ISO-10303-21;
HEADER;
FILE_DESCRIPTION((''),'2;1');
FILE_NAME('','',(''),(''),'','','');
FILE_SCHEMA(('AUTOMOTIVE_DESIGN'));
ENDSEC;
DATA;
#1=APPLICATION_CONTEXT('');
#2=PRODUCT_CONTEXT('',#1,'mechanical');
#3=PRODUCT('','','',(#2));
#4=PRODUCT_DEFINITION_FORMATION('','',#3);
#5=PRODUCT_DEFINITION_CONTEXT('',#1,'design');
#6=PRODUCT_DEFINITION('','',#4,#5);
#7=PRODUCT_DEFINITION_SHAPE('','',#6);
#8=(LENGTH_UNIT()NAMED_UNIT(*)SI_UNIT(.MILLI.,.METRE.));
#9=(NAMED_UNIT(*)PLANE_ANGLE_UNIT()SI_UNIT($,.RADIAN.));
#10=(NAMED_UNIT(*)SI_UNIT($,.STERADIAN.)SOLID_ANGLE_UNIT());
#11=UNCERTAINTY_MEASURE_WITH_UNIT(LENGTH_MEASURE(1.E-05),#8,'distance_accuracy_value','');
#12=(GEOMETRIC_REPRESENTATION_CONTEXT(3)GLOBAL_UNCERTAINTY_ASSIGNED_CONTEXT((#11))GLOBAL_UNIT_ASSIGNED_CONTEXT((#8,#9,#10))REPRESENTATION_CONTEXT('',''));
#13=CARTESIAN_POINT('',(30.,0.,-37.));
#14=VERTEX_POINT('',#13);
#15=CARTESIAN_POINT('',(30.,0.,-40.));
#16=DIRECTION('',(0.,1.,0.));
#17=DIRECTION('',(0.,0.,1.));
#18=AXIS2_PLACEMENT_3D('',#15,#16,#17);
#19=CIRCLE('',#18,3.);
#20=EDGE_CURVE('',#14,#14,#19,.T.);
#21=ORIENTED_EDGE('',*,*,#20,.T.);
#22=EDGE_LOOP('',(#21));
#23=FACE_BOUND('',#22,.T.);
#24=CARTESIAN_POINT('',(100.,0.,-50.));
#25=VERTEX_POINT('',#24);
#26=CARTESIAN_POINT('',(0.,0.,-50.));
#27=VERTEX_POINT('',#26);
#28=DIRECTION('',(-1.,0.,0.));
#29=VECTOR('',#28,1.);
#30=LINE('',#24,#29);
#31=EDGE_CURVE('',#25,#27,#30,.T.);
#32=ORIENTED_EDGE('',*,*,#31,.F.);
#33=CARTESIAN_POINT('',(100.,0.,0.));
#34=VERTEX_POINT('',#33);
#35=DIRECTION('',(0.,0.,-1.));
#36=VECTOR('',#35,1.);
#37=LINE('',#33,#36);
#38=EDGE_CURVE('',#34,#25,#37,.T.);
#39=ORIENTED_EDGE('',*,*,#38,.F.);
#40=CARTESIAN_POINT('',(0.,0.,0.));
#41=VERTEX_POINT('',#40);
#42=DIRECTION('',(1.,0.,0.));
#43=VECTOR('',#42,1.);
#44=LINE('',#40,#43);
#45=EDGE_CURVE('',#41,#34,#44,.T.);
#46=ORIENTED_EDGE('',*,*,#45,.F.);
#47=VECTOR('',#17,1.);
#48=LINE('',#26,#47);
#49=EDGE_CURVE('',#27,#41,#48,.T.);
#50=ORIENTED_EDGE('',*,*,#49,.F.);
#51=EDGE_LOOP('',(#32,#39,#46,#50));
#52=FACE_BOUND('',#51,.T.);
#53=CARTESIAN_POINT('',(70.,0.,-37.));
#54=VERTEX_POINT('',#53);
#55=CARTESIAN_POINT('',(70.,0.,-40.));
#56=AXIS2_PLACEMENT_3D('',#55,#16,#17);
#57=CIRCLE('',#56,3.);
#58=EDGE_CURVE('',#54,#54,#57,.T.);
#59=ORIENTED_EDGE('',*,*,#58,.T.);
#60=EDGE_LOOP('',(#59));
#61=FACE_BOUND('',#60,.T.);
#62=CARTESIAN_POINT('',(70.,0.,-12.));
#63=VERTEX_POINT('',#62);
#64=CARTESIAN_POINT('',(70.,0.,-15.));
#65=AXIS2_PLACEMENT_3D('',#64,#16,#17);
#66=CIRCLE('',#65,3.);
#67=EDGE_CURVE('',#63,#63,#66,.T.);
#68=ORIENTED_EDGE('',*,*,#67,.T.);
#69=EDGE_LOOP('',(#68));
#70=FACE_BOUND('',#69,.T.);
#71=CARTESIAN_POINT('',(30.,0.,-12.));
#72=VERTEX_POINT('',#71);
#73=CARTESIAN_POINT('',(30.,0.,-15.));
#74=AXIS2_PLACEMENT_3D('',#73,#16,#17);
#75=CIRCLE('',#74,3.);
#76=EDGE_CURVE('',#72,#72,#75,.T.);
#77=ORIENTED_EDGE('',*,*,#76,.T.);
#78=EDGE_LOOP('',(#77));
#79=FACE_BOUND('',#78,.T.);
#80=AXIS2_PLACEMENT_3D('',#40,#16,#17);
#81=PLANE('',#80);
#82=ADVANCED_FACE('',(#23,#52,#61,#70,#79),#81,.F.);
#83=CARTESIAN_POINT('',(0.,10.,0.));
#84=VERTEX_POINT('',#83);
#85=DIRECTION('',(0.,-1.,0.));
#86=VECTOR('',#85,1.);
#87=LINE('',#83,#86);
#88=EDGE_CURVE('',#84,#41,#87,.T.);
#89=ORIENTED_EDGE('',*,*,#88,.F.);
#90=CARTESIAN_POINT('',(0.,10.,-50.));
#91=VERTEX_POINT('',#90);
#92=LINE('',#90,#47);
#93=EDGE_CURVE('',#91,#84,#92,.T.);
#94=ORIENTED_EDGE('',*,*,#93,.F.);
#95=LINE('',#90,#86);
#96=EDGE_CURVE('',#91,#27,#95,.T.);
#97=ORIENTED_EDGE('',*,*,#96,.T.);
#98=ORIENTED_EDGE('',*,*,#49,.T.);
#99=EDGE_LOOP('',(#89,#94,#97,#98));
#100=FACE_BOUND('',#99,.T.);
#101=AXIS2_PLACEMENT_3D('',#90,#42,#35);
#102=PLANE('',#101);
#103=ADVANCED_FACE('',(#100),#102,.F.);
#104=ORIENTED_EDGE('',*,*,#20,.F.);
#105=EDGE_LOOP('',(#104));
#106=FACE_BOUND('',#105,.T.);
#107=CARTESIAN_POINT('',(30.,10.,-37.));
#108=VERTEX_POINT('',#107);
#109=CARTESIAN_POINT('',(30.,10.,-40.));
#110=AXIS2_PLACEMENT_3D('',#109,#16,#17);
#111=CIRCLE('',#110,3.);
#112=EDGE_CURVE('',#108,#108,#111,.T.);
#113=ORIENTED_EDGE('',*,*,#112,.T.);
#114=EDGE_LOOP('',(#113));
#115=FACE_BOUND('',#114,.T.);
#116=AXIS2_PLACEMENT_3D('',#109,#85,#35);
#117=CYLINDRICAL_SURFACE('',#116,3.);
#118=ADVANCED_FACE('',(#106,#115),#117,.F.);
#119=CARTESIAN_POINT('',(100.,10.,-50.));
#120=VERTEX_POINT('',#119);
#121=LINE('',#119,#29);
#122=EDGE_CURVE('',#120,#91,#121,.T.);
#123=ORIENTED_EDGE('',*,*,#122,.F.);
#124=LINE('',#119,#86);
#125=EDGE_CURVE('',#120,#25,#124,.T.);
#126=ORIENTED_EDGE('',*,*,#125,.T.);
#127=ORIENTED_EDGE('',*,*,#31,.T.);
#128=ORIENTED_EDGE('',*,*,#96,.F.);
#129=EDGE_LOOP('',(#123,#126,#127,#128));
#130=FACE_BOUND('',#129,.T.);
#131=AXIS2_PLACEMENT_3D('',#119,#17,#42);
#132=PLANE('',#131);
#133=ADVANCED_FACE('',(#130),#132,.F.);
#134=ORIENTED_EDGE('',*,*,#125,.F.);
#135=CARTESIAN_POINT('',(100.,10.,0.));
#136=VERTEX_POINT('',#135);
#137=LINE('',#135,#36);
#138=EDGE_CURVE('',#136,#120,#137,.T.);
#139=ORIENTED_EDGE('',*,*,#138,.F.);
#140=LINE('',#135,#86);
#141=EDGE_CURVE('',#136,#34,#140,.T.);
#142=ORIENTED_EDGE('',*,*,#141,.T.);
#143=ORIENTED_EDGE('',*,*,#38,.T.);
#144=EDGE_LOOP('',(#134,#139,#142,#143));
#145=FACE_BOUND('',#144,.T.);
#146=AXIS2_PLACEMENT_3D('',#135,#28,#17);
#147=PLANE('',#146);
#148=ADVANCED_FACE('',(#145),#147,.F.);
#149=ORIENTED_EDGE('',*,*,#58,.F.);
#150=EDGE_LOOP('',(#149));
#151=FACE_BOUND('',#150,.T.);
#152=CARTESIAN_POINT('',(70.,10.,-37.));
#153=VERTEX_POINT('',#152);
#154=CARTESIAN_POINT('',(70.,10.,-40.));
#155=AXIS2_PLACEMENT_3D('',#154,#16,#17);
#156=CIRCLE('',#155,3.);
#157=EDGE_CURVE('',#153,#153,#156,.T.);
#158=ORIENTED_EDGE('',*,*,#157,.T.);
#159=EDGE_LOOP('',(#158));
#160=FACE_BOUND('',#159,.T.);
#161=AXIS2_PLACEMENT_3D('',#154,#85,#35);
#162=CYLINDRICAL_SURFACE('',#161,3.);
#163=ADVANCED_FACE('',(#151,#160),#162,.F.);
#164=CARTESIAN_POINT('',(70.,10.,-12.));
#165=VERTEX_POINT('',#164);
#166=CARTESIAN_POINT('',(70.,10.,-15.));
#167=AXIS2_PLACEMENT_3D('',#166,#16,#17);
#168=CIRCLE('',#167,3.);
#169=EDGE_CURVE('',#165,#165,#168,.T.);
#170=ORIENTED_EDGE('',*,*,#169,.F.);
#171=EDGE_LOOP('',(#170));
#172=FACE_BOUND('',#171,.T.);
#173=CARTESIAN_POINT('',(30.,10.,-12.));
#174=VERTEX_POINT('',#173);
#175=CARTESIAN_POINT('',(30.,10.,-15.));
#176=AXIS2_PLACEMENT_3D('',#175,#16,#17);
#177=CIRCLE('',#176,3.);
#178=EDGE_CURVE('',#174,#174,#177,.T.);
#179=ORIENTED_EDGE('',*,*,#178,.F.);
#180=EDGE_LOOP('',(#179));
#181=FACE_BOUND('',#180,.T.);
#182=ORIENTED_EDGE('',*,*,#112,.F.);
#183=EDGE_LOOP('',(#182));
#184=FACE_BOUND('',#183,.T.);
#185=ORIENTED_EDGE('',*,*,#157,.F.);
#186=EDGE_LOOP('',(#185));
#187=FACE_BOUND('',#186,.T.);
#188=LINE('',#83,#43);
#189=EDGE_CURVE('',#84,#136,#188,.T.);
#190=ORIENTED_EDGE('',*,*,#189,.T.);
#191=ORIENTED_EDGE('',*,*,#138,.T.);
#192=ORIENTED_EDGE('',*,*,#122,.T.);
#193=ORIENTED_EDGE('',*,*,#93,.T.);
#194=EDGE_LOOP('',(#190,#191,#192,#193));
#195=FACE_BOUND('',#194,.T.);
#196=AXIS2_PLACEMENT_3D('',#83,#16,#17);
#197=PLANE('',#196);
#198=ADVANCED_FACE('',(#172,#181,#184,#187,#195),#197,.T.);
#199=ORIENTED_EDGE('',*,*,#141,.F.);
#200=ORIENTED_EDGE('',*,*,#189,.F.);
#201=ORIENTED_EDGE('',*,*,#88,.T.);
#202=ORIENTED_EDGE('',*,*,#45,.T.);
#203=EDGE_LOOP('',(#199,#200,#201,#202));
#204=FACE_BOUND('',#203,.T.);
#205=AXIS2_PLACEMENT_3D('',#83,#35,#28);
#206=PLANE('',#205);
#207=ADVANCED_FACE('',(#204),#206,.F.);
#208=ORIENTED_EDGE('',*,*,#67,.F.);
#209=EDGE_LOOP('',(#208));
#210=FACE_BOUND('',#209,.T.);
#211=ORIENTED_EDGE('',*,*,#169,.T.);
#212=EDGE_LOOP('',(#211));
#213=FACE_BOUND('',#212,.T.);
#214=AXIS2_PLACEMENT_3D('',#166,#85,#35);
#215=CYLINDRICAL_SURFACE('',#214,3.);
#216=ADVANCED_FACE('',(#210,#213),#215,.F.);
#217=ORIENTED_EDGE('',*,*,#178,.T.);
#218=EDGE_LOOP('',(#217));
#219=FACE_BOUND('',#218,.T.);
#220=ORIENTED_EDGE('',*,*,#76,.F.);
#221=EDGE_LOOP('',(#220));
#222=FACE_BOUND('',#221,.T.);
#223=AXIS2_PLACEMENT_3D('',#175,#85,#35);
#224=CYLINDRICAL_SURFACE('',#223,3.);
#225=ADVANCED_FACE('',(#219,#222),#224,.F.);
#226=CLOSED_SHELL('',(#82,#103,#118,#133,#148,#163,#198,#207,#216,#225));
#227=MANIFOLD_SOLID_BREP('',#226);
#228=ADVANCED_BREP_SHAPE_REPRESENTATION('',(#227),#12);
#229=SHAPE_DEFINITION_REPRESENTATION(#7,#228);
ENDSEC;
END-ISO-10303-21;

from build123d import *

# Parameters (mm, degrees)
SKETCH1_W           = 100
SKETCH1_H           = 50
SKETCH1_R           = 3
BOSS_EXTRUDE1_DEPTH = 10


with BuildPart() as part:
    # Sketch1 → Boss-Extrude1 (new body)
    with BuildSketch(Plane(origin=(0, 0, 0), x_dir=(1, 0, 0), z_dir=(0, 1, 0))):
        with Locations((50, 25)):
            Rectangle(SKETCH1_W, SKETCH1_H)
        with Locations((70, 15)):
            Circle(SKETCH1_R, mode=Mode.SUBTRACT)
        with Locations((30, 15)):
            Circle(SKETCH1_R, mode=Mode.SUBTRACT)
        with Locations((30, 40)):
            Circle(SKETCH1_R, mode=Mode.SUBTRACT)
        with Locations((70, 40)):
            Circle(SKETCH1_R, mode=Mode.SUBTRACT)
    extrude(amount=BOSS_EXTRUDE1_DEPTH)


solid = part.part
